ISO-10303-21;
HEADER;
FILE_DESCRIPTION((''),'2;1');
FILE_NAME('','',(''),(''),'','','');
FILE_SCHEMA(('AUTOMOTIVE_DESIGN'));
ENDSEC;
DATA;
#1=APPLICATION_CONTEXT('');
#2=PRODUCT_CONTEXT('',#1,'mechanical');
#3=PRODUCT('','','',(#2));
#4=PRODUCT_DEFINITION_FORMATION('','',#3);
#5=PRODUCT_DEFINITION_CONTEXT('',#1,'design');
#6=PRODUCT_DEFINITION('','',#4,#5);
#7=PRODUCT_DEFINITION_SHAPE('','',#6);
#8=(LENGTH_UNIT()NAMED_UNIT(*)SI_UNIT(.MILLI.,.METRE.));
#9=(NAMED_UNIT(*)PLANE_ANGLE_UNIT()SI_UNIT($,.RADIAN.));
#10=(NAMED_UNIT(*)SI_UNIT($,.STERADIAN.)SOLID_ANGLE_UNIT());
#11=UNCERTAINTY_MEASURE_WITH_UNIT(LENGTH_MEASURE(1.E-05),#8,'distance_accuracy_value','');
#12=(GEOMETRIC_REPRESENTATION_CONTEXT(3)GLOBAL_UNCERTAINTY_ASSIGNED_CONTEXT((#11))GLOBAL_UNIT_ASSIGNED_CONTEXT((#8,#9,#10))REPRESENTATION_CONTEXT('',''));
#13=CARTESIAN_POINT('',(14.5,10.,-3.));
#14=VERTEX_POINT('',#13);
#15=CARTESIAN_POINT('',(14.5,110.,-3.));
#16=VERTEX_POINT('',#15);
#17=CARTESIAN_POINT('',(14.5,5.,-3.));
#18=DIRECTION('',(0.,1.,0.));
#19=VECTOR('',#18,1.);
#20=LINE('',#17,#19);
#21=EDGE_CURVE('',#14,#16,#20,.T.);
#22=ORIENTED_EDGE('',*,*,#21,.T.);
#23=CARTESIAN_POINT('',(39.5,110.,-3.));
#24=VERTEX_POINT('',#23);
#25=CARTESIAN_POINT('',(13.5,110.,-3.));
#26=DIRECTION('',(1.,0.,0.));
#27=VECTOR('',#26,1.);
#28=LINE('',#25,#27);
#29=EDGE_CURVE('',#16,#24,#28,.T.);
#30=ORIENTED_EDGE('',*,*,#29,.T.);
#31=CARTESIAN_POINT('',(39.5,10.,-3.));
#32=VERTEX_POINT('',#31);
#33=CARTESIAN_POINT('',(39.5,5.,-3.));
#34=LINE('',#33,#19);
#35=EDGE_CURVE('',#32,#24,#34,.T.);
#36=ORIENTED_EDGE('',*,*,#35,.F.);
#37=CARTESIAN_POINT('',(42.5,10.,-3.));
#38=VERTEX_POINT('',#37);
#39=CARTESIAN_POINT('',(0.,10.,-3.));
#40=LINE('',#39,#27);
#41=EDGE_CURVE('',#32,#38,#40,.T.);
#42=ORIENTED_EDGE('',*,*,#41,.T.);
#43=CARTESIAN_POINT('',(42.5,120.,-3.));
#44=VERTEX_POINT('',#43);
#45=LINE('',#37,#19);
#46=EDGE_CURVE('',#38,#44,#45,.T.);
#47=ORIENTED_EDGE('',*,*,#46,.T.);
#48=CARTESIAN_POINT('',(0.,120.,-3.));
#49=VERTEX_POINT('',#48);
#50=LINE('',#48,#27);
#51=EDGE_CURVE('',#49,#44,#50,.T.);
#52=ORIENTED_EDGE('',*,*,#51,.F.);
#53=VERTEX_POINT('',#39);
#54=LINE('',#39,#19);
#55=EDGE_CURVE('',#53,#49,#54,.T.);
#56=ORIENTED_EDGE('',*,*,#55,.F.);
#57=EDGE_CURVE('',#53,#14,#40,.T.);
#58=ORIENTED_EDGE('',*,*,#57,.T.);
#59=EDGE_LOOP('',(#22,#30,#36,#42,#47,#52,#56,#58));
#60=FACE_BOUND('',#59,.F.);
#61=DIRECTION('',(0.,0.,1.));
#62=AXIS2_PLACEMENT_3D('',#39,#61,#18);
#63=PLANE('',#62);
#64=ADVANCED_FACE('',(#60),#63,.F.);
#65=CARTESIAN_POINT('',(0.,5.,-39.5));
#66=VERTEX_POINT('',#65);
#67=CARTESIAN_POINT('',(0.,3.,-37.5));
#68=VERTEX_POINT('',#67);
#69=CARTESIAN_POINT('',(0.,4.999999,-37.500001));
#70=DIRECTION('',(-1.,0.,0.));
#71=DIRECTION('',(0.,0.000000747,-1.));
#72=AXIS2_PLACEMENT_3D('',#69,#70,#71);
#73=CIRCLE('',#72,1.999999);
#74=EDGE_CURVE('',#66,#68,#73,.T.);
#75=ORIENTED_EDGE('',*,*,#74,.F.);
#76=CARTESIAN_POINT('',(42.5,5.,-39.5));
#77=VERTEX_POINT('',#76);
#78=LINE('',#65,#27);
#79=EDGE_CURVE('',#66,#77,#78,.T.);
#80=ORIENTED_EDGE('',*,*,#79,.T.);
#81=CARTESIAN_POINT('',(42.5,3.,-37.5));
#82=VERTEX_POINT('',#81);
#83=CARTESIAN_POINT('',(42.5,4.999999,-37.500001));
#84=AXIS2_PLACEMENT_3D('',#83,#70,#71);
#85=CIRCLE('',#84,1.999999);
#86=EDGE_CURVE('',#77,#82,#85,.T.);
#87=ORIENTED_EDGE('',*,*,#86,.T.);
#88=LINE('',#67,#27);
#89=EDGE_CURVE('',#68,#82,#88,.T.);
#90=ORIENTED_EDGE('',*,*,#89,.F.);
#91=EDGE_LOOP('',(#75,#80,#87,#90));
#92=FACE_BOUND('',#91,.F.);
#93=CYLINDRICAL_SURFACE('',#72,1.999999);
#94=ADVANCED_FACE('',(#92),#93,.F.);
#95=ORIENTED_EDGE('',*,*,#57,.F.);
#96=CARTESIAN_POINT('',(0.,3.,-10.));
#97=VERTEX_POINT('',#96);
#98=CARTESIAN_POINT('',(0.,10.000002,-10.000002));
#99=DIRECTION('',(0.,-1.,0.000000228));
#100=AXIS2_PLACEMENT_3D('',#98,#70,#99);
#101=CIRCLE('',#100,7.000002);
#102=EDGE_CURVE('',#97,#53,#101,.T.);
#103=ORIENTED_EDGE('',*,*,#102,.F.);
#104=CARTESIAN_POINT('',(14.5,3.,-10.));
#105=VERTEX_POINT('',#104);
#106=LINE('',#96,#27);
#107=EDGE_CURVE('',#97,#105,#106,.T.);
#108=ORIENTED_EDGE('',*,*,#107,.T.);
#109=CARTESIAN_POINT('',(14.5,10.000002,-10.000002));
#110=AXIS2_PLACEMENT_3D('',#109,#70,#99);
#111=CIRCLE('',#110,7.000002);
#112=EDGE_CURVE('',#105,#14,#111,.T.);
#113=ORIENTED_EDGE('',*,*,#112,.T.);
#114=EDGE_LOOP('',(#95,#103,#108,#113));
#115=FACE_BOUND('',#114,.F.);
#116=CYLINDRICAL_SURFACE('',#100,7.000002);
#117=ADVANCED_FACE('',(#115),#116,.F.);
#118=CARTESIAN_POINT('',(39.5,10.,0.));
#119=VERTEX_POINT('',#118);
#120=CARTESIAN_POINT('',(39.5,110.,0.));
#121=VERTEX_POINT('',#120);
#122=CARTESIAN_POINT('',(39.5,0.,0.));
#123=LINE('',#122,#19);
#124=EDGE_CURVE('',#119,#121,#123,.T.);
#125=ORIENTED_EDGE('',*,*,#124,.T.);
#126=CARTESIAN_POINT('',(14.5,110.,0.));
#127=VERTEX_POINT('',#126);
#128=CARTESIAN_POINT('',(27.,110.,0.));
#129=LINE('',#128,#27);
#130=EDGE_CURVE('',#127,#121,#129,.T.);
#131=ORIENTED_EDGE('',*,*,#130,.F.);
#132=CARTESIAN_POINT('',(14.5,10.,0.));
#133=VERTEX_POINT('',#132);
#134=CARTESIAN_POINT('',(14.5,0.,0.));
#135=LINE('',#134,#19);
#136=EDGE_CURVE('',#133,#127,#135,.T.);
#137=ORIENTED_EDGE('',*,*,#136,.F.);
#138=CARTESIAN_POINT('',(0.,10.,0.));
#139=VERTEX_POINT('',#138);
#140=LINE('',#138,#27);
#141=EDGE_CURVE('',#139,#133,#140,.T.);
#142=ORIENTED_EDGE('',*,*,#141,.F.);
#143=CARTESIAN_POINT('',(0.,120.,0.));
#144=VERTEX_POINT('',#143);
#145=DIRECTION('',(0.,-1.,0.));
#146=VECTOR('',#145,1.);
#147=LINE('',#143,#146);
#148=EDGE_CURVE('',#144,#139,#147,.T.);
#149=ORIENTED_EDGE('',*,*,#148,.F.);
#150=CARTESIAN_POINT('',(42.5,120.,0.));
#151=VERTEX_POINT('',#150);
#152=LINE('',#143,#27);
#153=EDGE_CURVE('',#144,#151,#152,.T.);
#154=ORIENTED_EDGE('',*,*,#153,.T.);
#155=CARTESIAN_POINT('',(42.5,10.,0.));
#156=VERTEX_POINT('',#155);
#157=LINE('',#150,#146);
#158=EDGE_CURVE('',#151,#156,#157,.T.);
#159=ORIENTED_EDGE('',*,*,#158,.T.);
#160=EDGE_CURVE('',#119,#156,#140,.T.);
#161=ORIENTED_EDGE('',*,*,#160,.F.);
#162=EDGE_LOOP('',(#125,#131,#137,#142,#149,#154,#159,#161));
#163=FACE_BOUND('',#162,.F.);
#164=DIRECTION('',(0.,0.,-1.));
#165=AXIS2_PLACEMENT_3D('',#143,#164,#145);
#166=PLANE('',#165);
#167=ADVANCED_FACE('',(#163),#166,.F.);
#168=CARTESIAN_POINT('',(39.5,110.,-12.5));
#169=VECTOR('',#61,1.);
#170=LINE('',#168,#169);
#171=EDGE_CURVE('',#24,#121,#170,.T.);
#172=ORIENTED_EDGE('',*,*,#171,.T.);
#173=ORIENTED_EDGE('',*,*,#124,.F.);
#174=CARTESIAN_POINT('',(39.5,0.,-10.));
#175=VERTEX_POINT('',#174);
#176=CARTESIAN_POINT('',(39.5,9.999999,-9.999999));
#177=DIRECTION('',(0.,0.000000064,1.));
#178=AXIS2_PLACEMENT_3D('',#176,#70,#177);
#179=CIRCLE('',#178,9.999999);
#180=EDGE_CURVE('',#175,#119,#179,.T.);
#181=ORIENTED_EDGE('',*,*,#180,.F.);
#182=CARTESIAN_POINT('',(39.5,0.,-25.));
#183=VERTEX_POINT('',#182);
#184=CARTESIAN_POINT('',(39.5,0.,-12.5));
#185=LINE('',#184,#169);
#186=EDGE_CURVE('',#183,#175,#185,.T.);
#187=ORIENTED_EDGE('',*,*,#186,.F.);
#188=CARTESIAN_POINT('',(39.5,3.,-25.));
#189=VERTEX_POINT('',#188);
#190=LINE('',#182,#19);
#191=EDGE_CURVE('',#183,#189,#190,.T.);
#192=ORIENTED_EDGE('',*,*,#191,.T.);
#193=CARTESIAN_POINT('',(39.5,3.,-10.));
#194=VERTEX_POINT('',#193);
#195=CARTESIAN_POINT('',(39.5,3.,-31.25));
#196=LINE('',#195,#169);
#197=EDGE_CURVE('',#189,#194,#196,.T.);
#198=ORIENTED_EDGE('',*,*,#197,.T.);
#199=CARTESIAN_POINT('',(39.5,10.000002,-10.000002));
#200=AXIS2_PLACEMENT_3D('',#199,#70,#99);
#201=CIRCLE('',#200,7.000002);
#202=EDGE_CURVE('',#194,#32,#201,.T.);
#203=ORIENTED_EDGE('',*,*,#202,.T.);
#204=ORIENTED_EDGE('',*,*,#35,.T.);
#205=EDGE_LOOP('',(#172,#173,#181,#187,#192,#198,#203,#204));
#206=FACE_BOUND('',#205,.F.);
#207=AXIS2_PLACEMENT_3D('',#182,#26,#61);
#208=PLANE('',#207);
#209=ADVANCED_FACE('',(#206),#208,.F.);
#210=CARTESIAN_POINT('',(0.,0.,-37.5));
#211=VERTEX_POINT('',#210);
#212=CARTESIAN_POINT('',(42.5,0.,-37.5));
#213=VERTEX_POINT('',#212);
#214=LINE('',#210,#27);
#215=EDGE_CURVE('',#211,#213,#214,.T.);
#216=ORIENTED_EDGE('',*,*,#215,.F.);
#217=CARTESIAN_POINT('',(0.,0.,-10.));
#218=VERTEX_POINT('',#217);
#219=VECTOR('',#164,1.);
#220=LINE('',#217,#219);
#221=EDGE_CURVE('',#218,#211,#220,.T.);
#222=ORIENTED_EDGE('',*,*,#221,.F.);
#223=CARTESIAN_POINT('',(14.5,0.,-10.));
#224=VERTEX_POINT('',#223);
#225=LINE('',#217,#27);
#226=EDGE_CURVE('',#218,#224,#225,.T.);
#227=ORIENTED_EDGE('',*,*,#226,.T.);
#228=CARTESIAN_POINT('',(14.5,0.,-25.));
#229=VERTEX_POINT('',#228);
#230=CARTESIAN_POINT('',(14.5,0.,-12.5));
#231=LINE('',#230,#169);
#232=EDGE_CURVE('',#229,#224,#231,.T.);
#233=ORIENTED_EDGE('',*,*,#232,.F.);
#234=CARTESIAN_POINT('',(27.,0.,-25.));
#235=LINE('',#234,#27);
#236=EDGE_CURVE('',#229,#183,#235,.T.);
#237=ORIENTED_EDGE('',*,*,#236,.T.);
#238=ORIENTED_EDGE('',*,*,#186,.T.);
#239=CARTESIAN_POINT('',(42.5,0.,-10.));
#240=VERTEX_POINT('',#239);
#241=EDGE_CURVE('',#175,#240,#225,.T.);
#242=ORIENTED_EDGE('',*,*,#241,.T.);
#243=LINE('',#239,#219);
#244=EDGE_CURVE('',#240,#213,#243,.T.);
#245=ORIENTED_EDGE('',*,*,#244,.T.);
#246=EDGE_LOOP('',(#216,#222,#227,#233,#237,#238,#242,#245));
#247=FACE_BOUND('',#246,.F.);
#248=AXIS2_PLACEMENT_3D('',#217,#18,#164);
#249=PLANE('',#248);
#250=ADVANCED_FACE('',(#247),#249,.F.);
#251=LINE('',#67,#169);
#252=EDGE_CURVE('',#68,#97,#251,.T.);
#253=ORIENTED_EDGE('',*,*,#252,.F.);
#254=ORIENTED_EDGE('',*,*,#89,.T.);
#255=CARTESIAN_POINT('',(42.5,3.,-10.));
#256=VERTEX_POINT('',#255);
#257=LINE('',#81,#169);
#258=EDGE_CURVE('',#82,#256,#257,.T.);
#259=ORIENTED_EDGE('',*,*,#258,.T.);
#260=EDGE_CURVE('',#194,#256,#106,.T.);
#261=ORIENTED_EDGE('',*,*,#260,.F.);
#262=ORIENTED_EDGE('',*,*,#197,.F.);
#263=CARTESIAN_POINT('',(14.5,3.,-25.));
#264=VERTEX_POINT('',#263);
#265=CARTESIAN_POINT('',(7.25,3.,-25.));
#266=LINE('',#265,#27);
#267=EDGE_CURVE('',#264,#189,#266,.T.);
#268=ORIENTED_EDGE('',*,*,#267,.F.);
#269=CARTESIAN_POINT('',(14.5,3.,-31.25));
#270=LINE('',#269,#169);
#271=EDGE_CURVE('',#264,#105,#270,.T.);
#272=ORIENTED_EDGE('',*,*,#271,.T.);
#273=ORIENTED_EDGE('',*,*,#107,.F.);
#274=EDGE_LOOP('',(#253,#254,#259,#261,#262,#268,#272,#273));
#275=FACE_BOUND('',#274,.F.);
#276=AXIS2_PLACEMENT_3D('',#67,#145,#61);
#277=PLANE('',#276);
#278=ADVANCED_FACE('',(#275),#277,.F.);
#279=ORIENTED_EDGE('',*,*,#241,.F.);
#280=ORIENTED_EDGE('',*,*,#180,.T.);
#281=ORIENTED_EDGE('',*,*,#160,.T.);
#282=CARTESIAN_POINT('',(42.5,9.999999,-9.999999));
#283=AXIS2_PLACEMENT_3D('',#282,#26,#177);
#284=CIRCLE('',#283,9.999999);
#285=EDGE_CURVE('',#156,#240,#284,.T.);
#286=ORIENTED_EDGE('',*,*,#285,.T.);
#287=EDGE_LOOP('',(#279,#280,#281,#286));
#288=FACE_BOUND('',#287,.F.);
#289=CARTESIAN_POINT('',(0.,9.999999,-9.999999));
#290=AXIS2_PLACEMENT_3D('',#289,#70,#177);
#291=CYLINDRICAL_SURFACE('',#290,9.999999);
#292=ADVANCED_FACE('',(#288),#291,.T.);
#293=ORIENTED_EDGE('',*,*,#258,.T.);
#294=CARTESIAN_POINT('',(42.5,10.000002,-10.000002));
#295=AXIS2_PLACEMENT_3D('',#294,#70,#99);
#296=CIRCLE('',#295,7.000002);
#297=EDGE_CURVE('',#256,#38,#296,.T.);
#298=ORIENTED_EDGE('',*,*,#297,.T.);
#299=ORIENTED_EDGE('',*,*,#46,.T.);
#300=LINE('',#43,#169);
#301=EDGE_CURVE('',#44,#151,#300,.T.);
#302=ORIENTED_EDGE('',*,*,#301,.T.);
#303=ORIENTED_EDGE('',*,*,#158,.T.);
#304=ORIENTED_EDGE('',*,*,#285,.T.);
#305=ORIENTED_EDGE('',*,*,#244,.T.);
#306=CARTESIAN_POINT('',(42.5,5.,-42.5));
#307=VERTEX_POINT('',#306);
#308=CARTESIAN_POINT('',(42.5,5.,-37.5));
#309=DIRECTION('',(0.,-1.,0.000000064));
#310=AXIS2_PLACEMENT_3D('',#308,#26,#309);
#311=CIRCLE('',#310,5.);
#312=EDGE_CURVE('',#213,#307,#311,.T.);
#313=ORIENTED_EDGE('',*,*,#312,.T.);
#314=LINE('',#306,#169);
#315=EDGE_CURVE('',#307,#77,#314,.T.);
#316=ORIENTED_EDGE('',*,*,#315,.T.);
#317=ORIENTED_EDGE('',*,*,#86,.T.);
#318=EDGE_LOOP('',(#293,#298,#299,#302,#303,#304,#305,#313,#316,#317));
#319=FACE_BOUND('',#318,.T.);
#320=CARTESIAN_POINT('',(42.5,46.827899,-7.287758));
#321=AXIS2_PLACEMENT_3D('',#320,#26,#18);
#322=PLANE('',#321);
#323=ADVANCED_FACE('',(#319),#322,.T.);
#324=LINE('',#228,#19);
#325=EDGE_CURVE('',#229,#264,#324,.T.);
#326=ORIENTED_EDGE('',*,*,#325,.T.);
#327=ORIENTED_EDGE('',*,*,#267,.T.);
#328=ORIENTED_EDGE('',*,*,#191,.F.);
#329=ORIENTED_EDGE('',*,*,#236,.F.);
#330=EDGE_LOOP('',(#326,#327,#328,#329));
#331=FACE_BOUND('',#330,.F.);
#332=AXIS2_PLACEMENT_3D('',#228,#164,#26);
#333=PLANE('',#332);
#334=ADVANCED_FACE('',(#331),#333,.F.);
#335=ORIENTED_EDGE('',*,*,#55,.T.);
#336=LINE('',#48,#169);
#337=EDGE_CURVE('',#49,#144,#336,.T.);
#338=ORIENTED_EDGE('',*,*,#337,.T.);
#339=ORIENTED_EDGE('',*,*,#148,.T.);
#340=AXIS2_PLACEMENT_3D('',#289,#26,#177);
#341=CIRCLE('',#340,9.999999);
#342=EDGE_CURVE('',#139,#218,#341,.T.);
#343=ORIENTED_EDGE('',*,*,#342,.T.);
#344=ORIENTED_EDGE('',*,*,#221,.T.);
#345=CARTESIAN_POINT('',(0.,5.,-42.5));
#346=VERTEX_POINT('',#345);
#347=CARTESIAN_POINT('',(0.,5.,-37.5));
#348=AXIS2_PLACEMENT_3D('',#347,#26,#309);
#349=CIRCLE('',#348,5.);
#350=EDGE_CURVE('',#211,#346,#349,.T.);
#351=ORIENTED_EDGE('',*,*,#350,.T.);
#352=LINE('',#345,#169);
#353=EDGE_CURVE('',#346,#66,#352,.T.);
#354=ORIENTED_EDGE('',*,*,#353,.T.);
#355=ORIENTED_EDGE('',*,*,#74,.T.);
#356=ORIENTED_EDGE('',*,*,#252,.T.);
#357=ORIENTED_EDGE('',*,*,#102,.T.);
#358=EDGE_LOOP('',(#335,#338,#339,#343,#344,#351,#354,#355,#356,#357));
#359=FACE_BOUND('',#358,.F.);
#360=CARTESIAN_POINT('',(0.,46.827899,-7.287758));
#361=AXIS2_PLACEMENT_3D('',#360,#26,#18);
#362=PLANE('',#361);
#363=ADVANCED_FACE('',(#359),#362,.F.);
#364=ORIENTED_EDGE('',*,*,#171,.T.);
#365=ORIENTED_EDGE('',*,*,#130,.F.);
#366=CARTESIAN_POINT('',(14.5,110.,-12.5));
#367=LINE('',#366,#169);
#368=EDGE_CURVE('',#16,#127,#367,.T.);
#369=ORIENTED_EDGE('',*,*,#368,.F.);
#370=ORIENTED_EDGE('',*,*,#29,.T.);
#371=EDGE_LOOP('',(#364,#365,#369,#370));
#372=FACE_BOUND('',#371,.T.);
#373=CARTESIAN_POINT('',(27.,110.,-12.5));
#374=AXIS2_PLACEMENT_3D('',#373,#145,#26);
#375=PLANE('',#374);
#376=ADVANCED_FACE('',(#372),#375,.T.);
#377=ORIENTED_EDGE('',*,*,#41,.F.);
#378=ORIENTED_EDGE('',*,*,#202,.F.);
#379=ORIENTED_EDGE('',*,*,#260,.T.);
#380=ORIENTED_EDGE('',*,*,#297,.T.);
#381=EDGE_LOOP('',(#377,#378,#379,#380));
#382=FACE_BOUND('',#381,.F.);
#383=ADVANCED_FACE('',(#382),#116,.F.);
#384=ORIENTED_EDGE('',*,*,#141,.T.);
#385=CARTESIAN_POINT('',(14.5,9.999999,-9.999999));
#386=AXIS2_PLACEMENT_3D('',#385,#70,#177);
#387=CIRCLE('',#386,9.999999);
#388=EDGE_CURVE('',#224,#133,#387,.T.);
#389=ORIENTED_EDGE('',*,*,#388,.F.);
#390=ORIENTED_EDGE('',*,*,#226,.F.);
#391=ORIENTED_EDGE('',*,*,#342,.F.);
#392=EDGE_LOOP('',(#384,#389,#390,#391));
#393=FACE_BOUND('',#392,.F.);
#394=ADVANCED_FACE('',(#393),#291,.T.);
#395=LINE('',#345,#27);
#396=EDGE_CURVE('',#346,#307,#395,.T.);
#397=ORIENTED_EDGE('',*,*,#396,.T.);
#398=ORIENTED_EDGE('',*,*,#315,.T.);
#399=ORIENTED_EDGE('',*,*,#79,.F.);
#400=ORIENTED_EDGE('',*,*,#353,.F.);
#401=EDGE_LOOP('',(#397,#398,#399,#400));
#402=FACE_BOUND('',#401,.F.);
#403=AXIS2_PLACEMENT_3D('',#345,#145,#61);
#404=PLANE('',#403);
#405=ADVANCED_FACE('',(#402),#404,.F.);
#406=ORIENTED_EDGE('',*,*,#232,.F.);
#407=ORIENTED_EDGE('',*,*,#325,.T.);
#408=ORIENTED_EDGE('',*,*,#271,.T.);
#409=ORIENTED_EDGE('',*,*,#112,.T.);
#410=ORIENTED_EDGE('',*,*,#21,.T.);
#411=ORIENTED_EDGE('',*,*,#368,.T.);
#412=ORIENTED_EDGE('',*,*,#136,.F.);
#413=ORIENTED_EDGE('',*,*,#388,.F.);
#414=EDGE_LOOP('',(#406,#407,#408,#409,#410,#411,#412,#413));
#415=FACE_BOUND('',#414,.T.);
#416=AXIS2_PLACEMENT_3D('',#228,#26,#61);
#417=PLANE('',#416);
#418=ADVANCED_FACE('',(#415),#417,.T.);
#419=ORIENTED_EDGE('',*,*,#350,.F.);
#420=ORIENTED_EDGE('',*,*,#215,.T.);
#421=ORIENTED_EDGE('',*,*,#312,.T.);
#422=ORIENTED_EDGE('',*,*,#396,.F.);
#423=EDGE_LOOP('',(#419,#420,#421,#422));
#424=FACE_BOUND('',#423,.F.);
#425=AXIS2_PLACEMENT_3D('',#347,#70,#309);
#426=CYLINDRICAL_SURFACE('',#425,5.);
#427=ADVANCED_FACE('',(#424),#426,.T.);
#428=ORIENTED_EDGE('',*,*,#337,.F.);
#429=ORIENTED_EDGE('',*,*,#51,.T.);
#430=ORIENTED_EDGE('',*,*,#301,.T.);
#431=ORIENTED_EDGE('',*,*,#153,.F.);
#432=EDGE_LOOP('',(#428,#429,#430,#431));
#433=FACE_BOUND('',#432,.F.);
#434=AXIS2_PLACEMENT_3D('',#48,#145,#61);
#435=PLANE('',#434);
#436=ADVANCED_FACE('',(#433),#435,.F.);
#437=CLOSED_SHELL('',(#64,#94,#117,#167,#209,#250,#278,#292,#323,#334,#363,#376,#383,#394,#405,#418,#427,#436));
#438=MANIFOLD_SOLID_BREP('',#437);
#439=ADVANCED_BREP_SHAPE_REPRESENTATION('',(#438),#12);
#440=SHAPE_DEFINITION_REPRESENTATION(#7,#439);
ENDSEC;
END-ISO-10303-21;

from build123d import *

# Parameters (mm, degrees)
F1_DEPTH = 42.5
F2_W     = 25
F2_H     = 25
F3_DEPTH = 110


with BuildPart() as f1:
    # F0 (on Right) → F1 (new body)
    with BuildSketch(Plane.YZ):
        with BuildLine():
            Line((120, -3), (120, 0))
            Line((120, 0), (10, 0))
            ThreePointArc((10, 0), (2.928932, -2.928932), (0, -10))
            Line((0, -10), (0, -37.5))
            ThreePointArc((0, -37.5), (1.464466, -41.035534), (5, -42.5))
            Line((5, -42.5), (5, -39.5))
            ThreePointArc((5, -39.5), (3.585786, -38.914214), (3, -37.5))
            Line((3, -37.5), (3, -10))
            ThreePointArc((3, -10), (5.050253, -5.050253), (10, -3))
            Line((10, -3), (120, -3))
        make_face()
    extrude(amount=F1_DEPTH)

    # F2 (on face) → F3 (cut)
    with BuildSketch(Plane.XZ):
        with Locations((27, -12.5)):
            Rectangle(F2_W, F2_H)
    extrude(amount=-F3_DEPTH, mode=Mode.SUBTRACT)


solid = f1.part
